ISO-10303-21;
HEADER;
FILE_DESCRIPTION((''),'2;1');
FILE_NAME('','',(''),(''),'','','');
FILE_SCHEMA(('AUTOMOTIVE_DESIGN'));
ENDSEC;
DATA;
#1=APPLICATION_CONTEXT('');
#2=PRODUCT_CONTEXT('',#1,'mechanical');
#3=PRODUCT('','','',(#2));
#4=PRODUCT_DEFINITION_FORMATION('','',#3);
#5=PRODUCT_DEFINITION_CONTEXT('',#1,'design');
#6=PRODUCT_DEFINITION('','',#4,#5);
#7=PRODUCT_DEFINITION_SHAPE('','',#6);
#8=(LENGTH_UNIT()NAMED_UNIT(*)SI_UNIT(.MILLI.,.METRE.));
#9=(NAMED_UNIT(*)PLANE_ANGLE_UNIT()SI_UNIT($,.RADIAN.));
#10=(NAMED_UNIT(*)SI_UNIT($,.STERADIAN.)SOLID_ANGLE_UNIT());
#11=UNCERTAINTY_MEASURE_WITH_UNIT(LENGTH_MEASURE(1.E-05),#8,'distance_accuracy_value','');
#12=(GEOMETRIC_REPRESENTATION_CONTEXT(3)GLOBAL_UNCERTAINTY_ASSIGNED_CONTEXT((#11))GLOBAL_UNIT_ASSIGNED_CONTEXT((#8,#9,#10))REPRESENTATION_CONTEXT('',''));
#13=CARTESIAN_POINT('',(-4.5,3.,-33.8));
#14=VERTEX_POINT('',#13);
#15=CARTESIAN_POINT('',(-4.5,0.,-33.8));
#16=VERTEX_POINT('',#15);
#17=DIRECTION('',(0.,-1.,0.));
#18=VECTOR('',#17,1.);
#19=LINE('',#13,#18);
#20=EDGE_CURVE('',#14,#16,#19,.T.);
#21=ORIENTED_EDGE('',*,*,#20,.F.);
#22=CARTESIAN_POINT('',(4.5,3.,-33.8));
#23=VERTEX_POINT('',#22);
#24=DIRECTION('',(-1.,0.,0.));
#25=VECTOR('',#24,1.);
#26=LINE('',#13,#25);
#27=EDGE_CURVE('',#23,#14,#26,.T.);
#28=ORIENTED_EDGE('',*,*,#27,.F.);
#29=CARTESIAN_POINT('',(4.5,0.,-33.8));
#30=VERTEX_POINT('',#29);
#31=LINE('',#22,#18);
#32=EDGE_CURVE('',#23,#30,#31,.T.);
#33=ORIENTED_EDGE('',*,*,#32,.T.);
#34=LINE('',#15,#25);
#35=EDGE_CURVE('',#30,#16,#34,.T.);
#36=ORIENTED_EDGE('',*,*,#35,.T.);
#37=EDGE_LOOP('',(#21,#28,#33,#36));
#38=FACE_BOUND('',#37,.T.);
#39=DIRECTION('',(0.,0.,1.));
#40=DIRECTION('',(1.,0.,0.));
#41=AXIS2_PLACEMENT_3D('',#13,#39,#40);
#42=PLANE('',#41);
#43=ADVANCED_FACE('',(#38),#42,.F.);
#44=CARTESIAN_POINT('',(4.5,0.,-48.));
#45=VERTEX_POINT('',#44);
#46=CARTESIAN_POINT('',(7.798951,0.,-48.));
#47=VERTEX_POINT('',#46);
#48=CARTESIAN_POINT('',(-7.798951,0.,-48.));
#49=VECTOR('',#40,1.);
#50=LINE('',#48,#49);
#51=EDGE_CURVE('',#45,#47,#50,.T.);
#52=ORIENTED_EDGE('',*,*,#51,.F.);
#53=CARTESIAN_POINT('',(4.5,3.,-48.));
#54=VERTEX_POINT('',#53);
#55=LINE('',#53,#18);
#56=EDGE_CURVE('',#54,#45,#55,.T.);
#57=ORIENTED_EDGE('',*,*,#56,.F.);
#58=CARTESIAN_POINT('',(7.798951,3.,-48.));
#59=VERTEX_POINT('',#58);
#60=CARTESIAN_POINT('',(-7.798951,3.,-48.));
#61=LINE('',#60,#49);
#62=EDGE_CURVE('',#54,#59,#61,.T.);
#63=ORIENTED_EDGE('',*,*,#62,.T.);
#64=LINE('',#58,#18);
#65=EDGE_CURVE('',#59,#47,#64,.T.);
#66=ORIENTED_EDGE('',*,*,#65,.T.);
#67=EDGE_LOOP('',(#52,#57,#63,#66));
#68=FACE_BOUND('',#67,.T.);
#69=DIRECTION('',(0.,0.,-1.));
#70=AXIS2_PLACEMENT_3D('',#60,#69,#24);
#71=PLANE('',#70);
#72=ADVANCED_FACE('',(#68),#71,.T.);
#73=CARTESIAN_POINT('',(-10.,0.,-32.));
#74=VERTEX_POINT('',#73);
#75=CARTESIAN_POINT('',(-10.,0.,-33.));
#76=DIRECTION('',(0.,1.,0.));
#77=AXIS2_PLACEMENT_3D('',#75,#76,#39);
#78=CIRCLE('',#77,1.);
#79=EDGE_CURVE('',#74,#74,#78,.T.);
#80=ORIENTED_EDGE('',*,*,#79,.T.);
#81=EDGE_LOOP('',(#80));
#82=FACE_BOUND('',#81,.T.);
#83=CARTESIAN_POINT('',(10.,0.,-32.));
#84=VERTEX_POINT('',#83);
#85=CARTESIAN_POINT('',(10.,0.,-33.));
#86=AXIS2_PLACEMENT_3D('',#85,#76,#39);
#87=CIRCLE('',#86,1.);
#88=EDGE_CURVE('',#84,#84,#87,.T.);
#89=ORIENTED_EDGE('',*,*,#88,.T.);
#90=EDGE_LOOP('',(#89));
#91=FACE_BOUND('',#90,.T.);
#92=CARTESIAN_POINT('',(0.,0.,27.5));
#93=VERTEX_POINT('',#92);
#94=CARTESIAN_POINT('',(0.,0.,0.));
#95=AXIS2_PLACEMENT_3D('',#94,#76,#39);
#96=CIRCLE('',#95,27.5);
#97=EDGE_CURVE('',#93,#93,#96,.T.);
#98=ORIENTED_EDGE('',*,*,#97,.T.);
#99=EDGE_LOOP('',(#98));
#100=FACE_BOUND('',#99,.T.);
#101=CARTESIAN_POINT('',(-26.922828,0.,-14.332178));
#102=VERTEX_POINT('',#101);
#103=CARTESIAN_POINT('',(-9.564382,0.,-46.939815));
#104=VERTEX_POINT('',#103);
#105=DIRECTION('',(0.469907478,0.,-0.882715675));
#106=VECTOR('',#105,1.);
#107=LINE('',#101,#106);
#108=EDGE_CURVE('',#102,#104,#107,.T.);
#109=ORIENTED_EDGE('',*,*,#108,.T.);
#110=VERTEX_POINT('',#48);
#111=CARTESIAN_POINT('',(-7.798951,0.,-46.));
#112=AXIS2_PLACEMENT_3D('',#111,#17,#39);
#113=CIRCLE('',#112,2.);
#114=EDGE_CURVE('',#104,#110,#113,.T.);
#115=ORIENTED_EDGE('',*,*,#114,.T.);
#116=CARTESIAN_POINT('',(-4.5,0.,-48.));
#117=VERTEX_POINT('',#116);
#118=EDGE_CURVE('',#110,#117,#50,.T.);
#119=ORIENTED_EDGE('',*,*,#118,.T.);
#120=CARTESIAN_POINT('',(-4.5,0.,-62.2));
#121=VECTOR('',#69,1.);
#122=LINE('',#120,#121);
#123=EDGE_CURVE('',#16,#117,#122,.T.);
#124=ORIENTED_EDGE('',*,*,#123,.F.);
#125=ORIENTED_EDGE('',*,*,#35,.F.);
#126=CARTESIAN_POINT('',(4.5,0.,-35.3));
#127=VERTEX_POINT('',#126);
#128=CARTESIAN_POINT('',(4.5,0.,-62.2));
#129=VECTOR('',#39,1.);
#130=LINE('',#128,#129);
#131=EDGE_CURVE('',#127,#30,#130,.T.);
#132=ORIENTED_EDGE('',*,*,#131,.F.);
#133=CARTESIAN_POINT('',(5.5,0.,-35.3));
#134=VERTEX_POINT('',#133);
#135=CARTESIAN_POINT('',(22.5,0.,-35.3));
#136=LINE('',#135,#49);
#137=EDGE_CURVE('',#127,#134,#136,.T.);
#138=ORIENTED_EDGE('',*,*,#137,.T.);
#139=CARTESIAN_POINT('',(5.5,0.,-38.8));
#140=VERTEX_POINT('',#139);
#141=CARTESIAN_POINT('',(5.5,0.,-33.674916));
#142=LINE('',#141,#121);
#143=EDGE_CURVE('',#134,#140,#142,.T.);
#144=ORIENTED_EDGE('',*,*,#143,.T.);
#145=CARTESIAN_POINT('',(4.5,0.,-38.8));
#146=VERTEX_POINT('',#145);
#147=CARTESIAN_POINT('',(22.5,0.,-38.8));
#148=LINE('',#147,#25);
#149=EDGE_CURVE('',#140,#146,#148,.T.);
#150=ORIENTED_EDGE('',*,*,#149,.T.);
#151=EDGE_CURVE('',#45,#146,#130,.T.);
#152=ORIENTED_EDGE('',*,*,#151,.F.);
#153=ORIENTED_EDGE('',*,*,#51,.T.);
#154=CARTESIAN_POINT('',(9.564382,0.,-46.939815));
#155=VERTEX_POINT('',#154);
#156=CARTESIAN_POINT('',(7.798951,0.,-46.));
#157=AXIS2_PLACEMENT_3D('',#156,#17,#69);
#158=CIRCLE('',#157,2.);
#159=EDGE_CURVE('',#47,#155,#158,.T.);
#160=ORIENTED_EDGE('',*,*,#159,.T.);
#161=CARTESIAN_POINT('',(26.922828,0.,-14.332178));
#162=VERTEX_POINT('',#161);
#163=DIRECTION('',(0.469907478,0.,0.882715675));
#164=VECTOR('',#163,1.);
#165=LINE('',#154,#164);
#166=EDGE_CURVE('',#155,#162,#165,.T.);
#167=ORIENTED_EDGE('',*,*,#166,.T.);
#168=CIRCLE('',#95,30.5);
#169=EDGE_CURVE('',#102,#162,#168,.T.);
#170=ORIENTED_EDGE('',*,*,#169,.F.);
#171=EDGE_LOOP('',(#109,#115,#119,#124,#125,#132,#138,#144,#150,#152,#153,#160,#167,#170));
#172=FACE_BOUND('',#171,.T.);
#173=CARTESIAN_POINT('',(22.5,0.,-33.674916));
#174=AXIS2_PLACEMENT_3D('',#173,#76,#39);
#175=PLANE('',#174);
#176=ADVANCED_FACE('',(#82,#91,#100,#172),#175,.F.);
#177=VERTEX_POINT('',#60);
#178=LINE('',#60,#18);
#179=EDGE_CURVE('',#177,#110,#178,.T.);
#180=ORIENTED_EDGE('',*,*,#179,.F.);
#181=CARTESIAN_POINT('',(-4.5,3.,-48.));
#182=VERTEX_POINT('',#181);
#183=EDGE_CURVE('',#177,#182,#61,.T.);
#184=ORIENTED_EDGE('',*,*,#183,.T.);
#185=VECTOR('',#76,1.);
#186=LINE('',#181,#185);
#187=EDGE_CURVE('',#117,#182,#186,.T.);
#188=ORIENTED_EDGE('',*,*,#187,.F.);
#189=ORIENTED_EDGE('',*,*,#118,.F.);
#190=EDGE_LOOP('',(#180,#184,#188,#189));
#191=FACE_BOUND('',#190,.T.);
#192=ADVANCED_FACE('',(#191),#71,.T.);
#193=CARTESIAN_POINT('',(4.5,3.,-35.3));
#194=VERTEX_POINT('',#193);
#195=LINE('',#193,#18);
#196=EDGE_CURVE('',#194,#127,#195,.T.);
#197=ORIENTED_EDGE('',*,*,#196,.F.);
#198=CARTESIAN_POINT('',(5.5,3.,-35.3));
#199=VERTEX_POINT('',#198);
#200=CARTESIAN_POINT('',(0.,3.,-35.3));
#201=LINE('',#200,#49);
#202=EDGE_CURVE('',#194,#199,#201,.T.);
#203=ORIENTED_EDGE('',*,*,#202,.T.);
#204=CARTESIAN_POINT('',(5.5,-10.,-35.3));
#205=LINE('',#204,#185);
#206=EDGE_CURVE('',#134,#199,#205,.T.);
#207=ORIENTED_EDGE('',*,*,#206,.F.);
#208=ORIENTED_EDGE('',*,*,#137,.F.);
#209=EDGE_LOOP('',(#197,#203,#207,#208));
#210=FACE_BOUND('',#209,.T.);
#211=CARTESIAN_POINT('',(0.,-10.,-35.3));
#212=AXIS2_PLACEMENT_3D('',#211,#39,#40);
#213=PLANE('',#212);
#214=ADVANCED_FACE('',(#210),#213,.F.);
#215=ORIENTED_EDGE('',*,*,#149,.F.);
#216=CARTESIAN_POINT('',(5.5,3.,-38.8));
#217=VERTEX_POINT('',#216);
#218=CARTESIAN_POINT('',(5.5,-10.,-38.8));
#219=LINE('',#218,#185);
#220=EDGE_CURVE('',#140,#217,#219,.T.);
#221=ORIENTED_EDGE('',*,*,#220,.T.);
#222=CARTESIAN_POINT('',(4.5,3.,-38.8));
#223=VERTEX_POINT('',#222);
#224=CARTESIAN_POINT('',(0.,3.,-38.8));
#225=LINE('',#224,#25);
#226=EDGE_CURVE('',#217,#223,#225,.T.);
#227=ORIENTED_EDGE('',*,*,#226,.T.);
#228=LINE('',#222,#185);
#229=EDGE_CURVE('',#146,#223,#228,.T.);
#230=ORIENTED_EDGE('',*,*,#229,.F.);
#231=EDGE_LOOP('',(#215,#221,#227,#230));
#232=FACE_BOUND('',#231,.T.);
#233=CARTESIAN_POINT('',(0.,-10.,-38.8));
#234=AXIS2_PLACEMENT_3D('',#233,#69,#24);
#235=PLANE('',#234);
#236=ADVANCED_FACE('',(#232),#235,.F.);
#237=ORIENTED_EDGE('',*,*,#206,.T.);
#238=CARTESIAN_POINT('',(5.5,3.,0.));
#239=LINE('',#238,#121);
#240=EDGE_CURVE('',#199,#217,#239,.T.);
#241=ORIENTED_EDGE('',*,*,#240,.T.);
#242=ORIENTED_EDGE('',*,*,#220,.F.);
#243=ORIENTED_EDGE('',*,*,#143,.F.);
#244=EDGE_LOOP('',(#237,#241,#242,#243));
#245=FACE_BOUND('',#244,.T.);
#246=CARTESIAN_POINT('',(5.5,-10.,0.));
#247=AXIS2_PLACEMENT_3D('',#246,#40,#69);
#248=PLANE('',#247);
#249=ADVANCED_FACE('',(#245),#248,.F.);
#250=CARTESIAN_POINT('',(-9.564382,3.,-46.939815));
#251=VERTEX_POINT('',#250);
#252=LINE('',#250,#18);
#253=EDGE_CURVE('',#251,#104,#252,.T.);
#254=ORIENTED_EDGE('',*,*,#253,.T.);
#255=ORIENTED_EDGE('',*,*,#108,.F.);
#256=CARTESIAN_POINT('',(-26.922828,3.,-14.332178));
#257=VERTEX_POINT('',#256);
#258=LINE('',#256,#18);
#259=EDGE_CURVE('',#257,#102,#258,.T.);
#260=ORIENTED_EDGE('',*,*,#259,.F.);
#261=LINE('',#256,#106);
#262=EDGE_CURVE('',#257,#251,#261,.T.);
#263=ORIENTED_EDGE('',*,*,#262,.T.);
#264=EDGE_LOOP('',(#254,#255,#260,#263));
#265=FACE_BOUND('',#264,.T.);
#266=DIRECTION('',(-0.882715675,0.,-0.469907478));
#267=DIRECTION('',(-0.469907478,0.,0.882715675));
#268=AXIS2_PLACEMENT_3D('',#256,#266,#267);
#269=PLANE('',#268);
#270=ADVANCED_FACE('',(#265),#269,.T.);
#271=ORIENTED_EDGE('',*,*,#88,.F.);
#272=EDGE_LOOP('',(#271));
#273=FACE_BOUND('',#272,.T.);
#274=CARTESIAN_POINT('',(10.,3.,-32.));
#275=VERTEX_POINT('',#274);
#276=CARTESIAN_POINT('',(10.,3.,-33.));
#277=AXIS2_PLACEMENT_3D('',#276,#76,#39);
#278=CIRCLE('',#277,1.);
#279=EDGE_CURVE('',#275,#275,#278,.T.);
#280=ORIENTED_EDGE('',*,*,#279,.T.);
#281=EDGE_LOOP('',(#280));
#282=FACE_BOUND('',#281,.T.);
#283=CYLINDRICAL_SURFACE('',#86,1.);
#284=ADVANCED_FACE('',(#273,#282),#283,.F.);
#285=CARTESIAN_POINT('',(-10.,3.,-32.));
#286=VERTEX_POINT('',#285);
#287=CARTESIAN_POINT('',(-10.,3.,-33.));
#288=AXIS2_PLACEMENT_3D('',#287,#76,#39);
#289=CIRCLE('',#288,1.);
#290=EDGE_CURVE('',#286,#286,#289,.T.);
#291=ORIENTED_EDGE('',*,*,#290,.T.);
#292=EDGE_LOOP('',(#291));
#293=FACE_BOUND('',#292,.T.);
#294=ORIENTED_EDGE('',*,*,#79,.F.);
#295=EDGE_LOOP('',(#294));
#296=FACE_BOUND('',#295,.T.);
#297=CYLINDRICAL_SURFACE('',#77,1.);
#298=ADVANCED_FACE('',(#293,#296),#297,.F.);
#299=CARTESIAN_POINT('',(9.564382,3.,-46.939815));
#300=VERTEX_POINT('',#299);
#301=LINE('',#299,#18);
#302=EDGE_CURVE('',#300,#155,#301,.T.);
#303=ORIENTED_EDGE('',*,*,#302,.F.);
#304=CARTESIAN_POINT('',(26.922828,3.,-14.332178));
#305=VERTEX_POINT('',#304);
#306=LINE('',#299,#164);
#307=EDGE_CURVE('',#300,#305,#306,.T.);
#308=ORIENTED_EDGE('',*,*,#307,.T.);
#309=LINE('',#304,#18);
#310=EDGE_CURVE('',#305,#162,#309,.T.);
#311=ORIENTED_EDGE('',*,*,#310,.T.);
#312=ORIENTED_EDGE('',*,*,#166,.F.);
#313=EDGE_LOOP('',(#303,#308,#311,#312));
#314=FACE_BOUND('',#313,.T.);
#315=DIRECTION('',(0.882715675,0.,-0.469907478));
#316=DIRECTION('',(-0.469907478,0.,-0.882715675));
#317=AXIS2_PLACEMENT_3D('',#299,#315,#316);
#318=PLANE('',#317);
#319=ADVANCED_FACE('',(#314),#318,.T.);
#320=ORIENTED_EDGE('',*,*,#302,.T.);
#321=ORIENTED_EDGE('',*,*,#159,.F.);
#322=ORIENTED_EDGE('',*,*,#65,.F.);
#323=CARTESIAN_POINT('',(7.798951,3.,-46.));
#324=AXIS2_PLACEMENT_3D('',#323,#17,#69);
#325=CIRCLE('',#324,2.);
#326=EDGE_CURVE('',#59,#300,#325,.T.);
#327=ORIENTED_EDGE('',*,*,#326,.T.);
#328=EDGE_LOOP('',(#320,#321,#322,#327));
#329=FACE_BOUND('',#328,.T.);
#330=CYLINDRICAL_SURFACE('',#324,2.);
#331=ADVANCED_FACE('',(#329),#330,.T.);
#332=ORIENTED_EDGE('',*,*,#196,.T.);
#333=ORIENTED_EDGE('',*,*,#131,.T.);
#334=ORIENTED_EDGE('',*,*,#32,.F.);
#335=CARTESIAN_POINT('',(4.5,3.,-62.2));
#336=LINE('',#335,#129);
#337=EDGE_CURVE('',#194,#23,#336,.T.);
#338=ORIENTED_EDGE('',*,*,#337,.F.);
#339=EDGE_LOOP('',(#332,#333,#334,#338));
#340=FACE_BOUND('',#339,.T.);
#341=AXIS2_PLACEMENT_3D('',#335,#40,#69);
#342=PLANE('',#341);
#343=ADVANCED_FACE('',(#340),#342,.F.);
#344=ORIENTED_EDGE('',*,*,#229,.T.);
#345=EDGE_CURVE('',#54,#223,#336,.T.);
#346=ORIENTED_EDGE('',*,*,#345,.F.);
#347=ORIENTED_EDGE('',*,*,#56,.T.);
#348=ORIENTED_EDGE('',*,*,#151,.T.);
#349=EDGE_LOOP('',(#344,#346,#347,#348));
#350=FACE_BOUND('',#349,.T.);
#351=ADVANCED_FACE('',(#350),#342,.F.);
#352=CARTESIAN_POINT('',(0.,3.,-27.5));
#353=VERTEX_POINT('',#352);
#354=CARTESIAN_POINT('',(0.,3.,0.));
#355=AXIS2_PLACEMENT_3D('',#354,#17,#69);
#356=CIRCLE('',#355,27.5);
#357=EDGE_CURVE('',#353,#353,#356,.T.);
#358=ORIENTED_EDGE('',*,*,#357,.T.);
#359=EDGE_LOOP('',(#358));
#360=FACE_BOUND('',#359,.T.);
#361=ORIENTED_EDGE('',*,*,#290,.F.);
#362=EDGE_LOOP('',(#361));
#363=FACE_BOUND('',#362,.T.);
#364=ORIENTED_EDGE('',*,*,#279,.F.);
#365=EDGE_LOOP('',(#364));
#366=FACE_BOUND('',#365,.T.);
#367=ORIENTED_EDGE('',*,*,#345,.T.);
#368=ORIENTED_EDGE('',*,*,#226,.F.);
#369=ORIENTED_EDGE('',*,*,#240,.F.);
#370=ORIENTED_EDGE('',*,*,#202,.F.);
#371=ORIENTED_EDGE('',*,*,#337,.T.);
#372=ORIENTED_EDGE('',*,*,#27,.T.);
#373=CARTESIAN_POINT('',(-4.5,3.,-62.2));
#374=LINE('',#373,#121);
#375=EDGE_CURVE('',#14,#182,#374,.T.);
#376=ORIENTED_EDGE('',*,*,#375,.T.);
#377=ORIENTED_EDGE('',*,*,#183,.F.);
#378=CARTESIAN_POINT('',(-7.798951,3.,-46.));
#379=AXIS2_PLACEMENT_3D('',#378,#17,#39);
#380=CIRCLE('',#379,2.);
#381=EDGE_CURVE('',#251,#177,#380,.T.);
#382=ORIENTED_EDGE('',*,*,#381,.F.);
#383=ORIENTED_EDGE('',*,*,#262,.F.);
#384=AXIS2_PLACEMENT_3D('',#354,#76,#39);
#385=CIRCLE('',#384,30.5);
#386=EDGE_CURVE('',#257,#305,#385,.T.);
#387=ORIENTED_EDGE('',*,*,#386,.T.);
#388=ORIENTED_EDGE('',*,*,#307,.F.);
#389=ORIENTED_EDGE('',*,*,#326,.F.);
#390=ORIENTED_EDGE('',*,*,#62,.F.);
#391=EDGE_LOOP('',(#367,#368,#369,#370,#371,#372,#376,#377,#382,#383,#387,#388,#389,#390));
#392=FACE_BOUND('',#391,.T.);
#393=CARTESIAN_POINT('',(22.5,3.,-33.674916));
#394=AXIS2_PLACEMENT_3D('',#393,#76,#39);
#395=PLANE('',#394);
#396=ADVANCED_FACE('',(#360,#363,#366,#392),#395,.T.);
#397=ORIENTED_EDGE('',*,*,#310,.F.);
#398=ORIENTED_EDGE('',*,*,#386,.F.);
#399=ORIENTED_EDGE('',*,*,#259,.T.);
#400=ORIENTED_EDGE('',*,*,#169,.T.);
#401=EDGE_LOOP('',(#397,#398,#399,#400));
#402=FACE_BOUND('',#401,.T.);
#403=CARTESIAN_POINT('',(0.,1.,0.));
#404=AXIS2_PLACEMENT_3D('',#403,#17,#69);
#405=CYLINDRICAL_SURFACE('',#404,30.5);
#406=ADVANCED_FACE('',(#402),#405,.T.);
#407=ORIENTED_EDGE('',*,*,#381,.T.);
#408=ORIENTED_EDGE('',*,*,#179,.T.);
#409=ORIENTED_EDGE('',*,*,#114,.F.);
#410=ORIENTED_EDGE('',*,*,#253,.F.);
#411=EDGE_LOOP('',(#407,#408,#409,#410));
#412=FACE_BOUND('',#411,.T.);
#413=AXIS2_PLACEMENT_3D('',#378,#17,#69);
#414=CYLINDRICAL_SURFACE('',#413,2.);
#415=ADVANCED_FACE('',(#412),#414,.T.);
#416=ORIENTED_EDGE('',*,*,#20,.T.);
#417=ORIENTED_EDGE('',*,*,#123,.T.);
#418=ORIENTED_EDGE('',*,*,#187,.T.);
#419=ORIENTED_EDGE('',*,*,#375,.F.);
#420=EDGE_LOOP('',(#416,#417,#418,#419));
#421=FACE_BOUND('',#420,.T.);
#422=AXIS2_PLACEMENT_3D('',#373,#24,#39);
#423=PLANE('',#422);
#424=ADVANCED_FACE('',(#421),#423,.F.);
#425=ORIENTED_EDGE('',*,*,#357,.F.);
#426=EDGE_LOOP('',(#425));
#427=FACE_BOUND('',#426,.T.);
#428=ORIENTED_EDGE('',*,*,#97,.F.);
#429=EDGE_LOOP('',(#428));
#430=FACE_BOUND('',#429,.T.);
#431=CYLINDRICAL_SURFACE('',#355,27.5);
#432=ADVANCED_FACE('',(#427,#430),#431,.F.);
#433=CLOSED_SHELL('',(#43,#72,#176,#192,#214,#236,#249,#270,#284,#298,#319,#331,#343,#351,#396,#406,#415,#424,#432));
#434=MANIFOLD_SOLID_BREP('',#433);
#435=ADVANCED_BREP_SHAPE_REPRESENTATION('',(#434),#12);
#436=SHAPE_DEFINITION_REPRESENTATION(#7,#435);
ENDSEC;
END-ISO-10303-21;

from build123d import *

# Parameters (mm, degrees)
BOSS_EXTRUDE1_DEPTH     = 1
BOSS_EXTRUDE2_DEPTH     = 2
SKETCH5_R               = 2.25
SKETCH5_R_2             = 0.5
CUT_EXTRUDE2_DEPTH      = 75.390311459
CUT_EXTRUDE3_DEPTH      = 75.423910398
CUT_EXTRUDE3_DEPTH_BACK = 75.423910398
SKETCH6_OUTSIDE_W       = 86.15
SKETCH6_OUTSIDE_H       = 123.471
SKETCH6_OUTSIDE_R       = 30.5
BOSS_EXTRUDE3_DEPTH     = 3
SKETCH8_W               = 9
SKETCH8_H               = 28.4
CUT_EXTRUDE4_DEPTH      = 3
SKETCH10_W              = 1.894041394
SKETCH10_H              = 3.5
CUT_EXTRUDE6_DEPTH      = 13
CUT_EXTRUDE7_DEPTH      = 57.949539067
CUT_EXTRUDE7_DEPTH_BACK = 57.949539067
SKETCH11_R              = 27.5
SKETCH11_W              = 9
SKETCH11_H              = 14.2
CUT_EXTRUDE8_DEPTH      = 57.949539067
CUT_EXTRUDE8_DEPTH_BACK = 57.949539067
SKETCH12_R              = 1


with BuildPart() as part:
    # Sketch2 → Boss-Extrude1 (new body)
    with BuildSketch(Plane(origin=(0, 0, 0), x_dir=(1, 0, 0), z_dir=(0, 1, 0))):
        with BuildLine():
            Line((-9.5, 67.820855486), (9.5, 67.820855486))
            ThreePointArc((9.5, 67.820855486), (11.621320344, 66.94217583), (12.5, 64.820855486))
            Line((12.5, 64.820855486), (12.5, 33.674916481))
            ThreePointArc((12.5, 33.674916481), (13.680828963, 28.960871273), (16.944444444, 25.360122288))
            ThreePointArc((16.944444444, 25.360122288), (0, -30.5), (-16.944444444, 25.360122288))
            ThreePointArc((-16.944444444, 25.360122288), (-13.680828963, 28.960871273), (-12.5, 33.674916481))
            Line((-12.5, 33.674916481), (-12.5, 64.820855486))
            ThreePointArc((-12.5, 64.820855486), (-11.621320344, 66.94217583), (-9.5, 67.820855486))
        make_face()
        with BuildLine():
            Line((3.5516796, -15.713533545), (4.759805249, -3.321913887))
            Line((4.759805249, -3.321913887), (6.334764225, -3.329153378))
            ThreePointArc((6.334764225, -3.329153378), (9.649898055, -0.044356931), (6.365101608, 3.270776898))
            Line((6.365101608, 3.270776898), (4.790142632, 3.278016389))
            Line((4.790142632, 3.278016389), (3.695984805, 15.680218773))
            ThreePointArc((3.695984805, 15.680218773), (0.087334891, 18.999799278), (-3.5516796, 15.713533545))
            Line((-3.5516796, 15.713533545), (-4.759805249, 3.321913887))
            Line((-4.759805249, 3.321913887), (-6.334764225, 3.329153378))
            ThreePointArc((-6.334764225, 3.329153378), (-9.649898055, 0.044356931), (-6.365101608, -3.270776898))
            Line((-6.365101608, -3.270776898), (-4.790142632, -3.278016389))
            Line((-4.790142632, -3.278016389), (-3.695984805, -15.680218773))
            ThreePointArc((-3.695984805, -15.680218773), (-0.087334891, -18.999799278), (3.5516796, -15.713533545))
        make_face(mode=Mode.SUBTRACT)
    extrude(amount=BOSS_EXTRUDE1_DEPTH)

    # Sketch3 → Boss-Extrude2 (add)
    with BuildSketch(Plane(origin=(0, 1, 0), x_dir=(1, 0, 0), z_dir=(0, 1, 0))):
        with BuildLine():
            Line((-12.5, 64.820855486), (-12.5, 33.674916481))
            ThreePointArc((-12.5, 33.674916481), (-13.680828963, 28.960871273), (-16.944444444, 25.360122288))
            ThreePointArc((-16.944444444, 25.360122288), (0, -30.5), (16.944444444, 25.360122288))
            ThreePointArc((16.944444444, 25.360122288), (13.680828963, 28.960871273), (12.5, 33.674916481))
            Line((12.5, 33.674916481), (12.5, 64.820855486))
            ThreePointArc((12.5, 64.820855486), (11.621320344, 66.94217583), (9.5, 67.820855486))
            Line((9.5, 67.820855486), (-9.5, 67.820855486))
            ThreePointArc((-9.5, 67.820855486), (-11.621320344, 66.94217583), (-12.5, 64.820855486))
        make_face()
    extrude(amount=BOSS_EXTRUDE2_DEPTH)

    # Sketch5 → Cut-Extrude2 (cut, through all)
    with BuildSketch(Plane.XZ.offset(-1)):
        Circle(SKETCH5_R)
        with Locations((0.022708028, 13.233852211)):
            Circle(SKETCH5_R_2)
        with Locations((-0.022708028, -13.233852211)):
            Circle(SKETCH5_R_2)
        with Locations((-6.853849078, 0.011760551)):
            Circle(SKETCH5_R_2)
        with Locations((6.853849078, -0.011760551)):
            Circle(SKETCH5_R_2)
    extrude(amount=-CUT_EXTRUDE2_DEPTH, mode=Mode.SUBTRACT)

    # Sketch6 outside → Cut-Extrude3 (cut, two sides: drawn at the far end of the back side and taken through both)
    with BuildSketch(Plane(origin=(0, 3, 0), x_dir=(1, 0, 0), z_dir=(0, 1, 0)).offset(-CUT_EXTRUDE3_DEPTH_BACK)):
        with Locations((0, 18.6605)):
            Rectangle(SKETCH6_OUTSIDE_W, SKETCH6_OUTSIDE_H)
        Circle(SKETCH6_OUTSIDE_R, mode=Mode.SUBTRACT)
    extrude(amount=CUT_EXTRUDE3_DEPTH + CUT_EXTRUDE3_DEPTH_BACK, mode=Mode.SUBTRACT)

    # Sketch7 → Boss-Extrude3 (add)
    with BuildSketch(Plane.XZ):
        with BuildLine():
            Line((-7.798950698, -48), (7.798950698, -48))
            ThreePointArc((7.798950698, -48), (8.828603574, -47.714588859), (9.564382048, -46.939814955))
            Line((9.564382048, -46.939814955), (26.92282808, -14.332178068))
            Line((26.92282808, -14.332178068), (0, -22.549328153))
            Line((0, -22.549328153), (-26.92282808, -14.332178068))
            Line((-26.92282808, -14.332178068), (-9.564382048, -46.939814955))
            ThreePointArc((-9.564382048, -46.939814955), (-8.828603574, -47.714588859), (-7.798950698, -48))
        make_face()
    extrude(amount=-BOSS_EXTRUDE3_DEPTH)

    # Sketch8 → Cut-Extrude4 (cut)
    with BuildSketch(Plane.XZ):
        with Locations((0, -48)):
            Rectangle(SKETCH8_W, SKETCH8_H)
    extrude(amount=-CUT_EXTRUDE4_DEPTH, mode=Mode.SUBTRACT)

    # Sketch10 → Cut-Extrude6 (cut)
    with BuildSketch(Plane.XZ.offset(-3)):
        with Locations((4.552979303, -37.05)):
            Rectangle(SKETCH10_W, SKETCH10_H)
    extrude(amount=CUT_EXTRUDE6_DEPTH, mode=Mode.SUBTRACT)

    # Sketch11 → Cut-Extrude7 (cut, two sides: drawn at the far end of the back side and taken through both)
    with BuildSketch(Plane.XZ.offset(-CUT_EXTRUDE7_DEPTH_BACK)):
        Circle(SKETCH11_R)
        with Locations((0, -40.9)):
            Rectangle(SKETCH11_W, SKETCH11_H)
    extrude(amount=CUT_EXTRUDE7_DEPTH + CUT_EXTRUDE7_DEPTH_BACK, mode=Mode.SUBTRACT)

    # Sketch12 → Cut-Extrude8 (cut, two sides: drawn at the far end of the back side and taken through both)
    with BuildSketch(Plane(origin=(0, 3, 0), x_dir=(1, 0, 0), z_dir=(0, 1, 0)).offset(-CUT_EXTRUDE8_DEPTH_BACK)):
        with Locations((-10, 33)):
            Circle(SKETCH12_R)
        with Locations((10, 33)):
            Circle(SKETCH12_R)
    extrude(amount=CUT_EXTRUDE8_DEPTH + CUT_EXTRUDE8_DEPTH_BACK, mode=Mode.SUBTRACT)


solid = part.part
